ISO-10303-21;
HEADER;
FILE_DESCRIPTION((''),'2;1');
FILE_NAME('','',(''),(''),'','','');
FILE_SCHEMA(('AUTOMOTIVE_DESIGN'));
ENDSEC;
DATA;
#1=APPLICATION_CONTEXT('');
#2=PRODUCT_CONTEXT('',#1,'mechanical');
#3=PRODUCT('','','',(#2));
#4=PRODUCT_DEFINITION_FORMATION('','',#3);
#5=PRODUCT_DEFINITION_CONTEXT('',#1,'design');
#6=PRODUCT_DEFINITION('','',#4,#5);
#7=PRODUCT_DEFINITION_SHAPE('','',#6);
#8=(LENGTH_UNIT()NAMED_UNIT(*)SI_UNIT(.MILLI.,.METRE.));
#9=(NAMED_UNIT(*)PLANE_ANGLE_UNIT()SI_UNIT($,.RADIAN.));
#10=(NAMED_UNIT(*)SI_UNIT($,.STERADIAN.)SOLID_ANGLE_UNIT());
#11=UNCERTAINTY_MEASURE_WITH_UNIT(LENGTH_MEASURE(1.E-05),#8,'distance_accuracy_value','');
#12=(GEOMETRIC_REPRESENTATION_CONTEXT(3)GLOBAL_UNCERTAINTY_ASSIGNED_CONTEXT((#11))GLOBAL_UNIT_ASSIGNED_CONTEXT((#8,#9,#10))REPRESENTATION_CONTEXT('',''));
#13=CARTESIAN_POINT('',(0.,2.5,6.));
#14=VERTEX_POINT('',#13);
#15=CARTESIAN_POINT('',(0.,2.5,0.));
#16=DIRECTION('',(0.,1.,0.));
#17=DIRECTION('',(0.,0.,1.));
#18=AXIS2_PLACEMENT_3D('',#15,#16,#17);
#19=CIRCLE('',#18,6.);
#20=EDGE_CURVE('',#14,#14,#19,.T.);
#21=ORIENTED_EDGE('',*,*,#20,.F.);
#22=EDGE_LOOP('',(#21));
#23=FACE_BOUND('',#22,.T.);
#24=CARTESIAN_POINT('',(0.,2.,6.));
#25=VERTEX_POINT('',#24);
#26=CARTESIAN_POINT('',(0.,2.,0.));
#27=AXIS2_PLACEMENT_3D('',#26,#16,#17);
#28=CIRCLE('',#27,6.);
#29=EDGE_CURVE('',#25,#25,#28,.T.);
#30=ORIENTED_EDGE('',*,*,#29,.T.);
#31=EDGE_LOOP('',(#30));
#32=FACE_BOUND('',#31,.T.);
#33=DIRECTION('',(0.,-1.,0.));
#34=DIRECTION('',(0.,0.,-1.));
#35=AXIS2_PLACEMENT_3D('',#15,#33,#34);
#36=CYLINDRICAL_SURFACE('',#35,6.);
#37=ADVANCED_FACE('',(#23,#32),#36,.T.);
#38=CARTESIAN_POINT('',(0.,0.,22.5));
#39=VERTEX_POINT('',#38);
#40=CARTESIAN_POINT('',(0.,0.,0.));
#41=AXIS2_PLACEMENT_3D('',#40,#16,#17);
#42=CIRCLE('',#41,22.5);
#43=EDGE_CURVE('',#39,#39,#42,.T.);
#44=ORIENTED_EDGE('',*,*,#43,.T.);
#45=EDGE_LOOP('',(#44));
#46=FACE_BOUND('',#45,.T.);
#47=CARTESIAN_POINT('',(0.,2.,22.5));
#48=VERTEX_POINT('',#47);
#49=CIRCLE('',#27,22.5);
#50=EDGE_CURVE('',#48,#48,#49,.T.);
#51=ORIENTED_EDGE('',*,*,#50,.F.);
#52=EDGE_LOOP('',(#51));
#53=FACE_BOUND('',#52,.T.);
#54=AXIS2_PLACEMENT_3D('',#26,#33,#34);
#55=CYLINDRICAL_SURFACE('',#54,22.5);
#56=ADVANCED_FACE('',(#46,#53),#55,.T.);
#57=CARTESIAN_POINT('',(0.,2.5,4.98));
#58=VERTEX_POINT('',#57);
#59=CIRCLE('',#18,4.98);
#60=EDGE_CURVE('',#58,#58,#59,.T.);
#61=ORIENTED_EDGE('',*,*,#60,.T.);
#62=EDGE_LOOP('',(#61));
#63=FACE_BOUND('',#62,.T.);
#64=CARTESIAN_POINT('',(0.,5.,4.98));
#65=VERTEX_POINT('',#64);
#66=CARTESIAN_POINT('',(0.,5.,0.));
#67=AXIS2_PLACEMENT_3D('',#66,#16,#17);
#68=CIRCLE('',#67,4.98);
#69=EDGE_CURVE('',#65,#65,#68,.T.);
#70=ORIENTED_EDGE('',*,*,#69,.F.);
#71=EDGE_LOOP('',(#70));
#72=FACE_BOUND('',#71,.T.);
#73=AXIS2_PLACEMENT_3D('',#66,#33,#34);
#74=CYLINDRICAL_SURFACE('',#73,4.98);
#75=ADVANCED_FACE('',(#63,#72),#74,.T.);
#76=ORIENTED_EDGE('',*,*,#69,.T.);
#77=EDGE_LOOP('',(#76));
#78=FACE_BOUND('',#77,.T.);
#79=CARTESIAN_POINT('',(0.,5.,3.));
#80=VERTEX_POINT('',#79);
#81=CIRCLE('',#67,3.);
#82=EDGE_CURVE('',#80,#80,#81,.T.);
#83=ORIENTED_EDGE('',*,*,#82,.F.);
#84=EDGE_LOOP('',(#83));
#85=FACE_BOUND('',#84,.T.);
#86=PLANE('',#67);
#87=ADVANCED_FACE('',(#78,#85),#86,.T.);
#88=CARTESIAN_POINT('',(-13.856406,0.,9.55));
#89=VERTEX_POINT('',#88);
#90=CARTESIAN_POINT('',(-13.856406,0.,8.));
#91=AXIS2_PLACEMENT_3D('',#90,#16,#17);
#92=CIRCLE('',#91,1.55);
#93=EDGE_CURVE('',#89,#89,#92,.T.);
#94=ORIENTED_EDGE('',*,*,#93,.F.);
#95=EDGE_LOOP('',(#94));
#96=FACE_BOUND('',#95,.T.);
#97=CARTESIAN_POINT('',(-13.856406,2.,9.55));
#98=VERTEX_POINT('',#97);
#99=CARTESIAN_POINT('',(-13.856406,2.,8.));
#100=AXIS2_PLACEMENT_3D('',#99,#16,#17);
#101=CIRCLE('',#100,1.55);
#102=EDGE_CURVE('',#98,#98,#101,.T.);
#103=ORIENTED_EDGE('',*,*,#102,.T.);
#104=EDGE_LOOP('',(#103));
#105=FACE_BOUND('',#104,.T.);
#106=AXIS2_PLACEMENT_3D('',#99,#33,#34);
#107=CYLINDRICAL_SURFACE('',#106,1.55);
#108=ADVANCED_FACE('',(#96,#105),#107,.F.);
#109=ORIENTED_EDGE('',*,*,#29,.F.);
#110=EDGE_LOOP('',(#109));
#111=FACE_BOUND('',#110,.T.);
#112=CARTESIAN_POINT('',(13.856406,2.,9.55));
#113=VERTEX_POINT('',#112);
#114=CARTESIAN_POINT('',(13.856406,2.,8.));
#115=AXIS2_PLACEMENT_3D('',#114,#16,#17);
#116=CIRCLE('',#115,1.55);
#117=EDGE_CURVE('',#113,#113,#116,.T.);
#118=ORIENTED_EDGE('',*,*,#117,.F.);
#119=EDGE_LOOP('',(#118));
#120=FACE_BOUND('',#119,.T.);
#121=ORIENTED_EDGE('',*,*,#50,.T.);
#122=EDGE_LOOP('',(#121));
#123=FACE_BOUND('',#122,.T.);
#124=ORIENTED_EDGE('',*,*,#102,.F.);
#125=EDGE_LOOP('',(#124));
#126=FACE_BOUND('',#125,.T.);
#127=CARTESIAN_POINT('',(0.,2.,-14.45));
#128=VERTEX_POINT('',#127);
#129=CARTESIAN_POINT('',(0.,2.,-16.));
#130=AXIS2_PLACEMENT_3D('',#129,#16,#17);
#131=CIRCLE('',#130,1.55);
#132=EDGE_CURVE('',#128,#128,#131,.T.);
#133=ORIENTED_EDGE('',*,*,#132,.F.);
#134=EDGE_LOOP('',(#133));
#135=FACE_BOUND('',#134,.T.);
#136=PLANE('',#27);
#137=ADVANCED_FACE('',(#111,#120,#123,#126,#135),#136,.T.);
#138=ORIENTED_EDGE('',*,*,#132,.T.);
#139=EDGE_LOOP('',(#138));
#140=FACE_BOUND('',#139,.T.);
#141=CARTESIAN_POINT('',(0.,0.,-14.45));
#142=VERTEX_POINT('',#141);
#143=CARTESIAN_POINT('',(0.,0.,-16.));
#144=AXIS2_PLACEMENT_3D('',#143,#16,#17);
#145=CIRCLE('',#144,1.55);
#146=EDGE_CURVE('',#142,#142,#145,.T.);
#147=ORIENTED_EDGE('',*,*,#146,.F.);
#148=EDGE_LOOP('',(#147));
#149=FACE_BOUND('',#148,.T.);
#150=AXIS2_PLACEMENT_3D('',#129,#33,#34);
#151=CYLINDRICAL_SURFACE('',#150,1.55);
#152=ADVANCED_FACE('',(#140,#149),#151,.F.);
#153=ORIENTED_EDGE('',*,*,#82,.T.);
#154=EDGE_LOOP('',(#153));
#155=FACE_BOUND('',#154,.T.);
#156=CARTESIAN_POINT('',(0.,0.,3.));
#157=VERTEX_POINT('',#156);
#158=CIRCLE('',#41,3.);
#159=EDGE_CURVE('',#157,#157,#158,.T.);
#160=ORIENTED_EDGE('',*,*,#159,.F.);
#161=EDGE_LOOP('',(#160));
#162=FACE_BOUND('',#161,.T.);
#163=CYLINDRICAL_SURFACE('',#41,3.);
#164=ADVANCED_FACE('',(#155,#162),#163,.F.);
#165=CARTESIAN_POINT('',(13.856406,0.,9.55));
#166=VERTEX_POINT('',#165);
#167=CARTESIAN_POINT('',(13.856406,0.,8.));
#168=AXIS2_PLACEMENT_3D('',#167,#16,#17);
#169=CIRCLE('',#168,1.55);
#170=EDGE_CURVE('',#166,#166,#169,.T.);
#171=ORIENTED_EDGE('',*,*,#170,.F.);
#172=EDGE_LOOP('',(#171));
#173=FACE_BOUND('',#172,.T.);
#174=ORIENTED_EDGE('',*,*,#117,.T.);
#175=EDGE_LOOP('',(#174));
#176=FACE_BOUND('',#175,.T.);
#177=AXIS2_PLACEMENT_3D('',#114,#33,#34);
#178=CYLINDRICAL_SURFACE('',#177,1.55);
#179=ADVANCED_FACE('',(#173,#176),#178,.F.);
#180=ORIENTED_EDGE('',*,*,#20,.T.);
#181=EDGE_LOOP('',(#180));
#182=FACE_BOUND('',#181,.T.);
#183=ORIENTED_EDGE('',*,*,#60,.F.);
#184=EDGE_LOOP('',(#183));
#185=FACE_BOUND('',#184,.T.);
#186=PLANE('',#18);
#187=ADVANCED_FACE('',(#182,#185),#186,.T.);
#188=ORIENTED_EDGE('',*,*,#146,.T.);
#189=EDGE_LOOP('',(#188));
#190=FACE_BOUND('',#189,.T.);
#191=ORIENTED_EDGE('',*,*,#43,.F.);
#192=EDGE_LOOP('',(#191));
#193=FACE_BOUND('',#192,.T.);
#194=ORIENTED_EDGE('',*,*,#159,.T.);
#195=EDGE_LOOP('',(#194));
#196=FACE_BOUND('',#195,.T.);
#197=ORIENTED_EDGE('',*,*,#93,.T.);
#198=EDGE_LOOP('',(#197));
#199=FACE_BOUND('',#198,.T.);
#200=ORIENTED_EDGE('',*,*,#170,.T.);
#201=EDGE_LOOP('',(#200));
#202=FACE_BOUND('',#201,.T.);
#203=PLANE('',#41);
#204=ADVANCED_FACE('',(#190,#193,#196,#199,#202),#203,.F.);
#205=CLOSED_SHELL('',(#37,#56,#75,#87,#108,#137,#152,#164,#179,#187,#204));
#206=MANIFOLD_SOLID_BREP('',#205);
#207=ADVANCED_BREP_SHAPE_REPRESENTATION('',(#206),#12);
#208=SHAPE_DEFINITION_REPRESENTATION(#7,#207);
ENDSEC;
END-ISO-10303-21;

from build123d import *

# Parameters (mm, degrees)
SKETCH_1_R          = 22.5
SKETCH_1_R_2        = 1.55
EXTRUDE_1_DEPTH     = 2
SKETCH_2_R          = 4.98
EXTRUDE_2_DEPTH     = 3
SKETCH_3_R          = 6
EXTRUDE_3_DEPTH     = 0.5
SKETCH_4_R          = 3
CUT_EXTRUDE_1_DEPTH = 33.210246817


with BuildPart() as part:
    # ｽｹｯﾁ1 → ﾎﾞｽ - 押し出し1 (new body)
    with BuildSketch(Plane(origin=(0, 0, 0), x_dir=(1, 0, 0), z_dir=(0, 1, 0))):
        with Locations(Location((0, 0, 0), (0, 0, 270))):
            Circle(SKETCH_1_R)
        with Locations(Location((0, 16, 0), (0, 0, 270))):
            Circle(SKETCH_1_R_2, mode=Mode.SUBTRACT)
        with Locations(Location((13.856406461, -8, 0), (0, 0, 270))):
            Circle(SKETCH_1_R_2, mode=Mode.SUBTRACT)
        with Locations(Location((-13.856406461, -8, 0), (0, 0, 270))):
            Circle(SKETCH_1_R_2, mode=Mode.SUBTRACT)
    extrude(amount=EXTRUDE_1_DEPTH)

    # ｽｹｯﾁ2 → ﾎﾞｽ - 押し出し2 (add)
    with BuildSketch(Plane(origin=(0, 2, 0), x_dir=(1, 0, 0), z_dir=(0, 1, 0))):
        with Locations(Location((0, 0, 0), (0, 0, 270))):
            Circle(SKETCH_2_R)
    extrude(amount=EXTRUDE_2_DEPTH)

    # ｽｹｯﾁ3 → ﾎﾞｽ - 押し出し3 (add)
    with BuildSketch(Plane(origin=(0, 2, 0), x_dir=(1, 0, 0), z_dir=(0, 1, 0))):
        with Locations(Location((0, 0, 0), (0, 0, 270))):
            Circle(SKETCH_3_R)
    extrude(amount=EXTRUDE_3_DEPTH)

    # ｽｹｯﾁ4 → ｶｯﾄ - 押し出し1 (cut, through all)
    with BuildSketch(Plane(origin=(0, 5, 0), x_dir=(1, 0, 0), z_dir=(0, 1, 0))):
        with Locations(Location((0, 0, 0), (0, 0, 270))):
            Circle(SKETCH_4_R)
    extrude(amount=-CUT_EXTRUDE_1_DEPTH, mode=Mode.SUBTRACT)


solid = part.part
